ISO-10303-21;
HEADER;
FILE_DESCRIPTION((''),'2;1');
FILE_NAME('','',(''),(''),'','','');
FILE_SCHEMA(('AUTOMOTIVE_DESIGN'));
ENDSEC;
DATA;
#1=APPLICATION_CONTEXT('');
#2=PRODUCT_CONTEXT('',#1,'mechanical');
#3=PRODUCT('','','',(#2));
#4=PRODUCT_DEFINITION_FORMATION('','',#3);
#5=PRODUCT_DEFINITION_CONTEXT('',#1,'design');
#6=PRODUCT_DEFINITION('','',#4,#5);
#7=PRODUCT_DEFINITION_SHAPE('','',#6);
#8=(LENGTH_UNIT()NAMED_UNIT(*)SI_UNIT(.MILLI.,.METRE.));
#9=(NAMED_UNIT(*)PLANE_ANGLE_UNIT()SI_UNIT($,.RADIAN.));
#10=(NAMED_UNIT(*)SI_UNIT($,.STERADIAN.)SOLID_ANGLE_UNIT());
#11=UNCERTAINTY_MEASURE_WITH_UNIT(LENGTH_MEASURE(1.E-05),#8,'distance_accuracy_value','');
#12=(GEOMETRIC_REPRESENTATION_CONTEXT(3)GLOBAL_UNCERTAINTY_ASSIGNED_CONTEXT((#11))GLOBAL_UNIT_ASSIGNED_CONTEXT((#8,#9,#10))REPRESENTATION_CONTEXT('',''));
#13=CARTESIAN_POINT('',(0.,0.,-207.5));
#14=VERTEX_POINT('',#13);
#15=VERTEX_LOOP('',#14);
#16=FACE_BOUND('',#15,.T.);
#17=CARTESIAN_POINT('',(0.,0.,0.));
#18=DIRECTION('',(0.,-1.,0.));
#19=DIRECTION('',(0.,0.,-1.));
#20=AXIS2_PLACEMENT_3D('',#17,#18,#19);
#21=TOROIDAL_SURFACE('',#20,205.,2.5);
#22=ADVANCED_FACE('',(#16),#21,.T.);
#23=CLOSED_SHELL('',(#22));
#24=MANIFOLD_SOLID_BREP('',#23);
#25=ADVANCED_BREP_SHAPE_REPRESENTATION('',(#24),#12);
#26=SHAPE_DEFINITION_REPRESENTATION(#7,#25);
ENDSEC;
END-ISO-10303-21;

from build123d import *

# Parameters (mm, degrees)
SKETCH2_R = 2.5


with BuildPart() as part:
    # Sketch2 → Revolve1 (revolve)
    with BuildSketch(Plane(origin=(0, 0, 0), x_dir=(0, 0, -1), z_dir=(1, 0, 0))):
        with Locations((205, 0)):
            Circle(SKETCH2_R)
    revolve(axis=Axis((0, 0, 0), (0, 1, 0)))


solid = part.part
